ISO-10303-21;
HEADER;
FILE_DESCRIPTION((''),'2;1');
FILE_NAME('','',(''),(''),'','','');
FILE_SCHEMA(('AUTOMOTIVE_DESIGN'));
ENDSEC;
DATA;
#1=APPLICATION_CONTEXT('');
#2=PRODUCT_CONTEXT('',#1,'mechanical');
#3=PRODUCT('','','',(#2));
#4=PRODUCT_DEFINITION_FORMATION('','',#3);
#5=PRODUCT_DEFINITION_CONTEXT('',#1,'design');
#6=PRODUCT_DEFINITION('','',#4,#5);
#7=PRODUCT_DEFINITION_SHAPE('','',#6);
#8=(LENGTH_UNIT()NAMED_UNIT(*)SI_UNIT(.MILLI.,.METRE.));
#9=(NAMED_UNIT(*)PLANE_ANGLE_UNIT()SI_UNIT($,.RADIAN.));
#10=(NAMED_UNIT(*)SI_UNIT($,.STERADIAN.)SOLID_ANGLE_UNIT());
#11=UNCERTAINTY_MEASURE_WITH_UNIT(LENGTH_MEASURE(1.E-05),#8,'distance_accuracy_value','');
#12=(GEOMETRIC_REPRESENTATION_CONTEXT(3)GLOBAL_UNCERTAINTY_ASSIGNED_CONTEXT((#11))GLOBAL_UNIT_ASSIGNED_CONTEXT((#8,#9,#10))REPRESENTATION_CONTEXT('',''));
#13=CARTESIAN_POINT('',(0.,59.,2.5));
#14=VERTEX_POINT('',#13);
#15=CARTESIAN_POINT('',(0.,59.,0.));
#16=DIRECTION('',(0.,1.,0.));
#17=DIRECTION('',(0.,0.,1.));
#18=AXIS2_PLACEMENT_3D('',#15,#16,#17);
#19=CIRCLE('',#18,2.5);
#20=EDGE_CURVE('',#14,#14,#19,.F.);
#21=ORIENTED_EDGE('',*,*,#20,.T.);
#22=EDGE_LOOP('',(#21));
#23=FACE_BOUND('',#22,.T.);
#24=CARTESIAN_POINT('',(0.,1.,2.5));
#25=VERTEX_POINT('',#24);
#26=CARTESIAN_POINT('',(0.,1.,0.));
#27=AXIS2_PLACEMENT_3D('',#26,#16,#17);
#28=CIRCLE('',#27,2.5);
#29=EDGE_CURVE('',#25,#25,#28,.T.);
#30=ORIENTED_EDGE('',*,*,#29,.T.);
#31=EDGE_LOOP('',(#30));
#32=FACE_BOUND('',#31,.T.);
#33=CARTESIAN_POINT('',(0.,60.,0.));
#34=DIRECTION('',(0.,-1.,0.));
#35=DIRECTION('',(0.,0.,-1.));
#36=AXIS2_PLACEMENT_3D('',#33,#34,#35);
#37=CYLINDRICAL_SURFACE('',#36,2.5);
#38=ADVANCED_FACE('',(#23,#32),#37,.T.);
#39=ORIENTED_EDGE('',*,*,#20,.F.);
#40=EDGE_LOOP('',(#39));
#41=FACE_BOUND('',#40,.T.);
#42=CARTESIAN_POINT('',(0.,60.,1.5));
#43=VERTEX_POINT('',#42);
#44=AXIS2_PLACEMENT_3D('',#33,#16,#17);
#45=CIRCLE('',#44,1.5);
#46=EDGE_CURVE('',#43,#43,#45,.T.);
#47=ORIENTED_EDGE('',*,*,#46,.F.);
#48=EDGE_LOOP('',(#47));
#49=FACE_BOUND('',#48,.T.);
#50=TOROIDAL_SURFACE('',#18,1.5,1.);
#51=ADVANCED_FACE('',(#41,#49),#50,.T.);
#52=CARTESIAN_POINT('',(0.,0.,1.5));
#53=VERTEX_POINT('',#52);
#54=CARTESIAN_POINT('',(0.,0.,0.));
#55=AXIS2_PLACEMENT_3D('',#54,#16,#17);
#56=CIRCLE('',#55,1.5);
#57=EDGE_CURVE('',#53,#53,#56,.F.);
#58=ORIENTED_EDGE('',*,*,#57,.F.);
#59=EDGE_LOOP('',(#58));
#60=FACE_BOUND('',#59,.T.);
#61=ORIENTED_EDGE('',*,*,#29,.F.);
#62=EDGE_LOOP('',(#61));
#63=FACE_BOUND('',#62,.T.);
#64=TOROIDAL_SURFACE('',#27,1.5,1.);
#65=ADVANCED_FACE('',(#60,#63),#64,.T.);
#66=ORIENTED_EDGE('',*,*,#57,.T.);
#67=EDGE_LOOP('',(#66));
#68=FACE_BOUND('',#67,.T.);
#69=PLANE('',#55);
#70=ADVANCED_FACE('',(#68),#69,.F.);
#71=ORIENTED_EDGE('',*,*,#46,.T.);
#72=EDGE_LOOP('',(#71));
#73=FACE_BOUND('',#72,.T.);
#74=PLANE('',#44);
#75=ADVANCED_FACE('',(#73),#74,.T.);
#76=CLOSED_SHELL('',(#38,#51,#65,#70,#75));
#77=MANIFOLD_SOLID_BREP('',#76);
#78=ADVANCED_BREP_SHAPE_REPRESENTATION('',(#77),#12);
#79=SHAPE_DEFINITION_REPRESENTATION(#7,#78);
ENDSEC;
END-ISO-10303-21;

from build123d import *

# Parameters (mm, degrees)
SKETCH_1_R      = 2.5
EXTRUDE_1_DEPTH = 60
FILLET_1_R      = 1


with BuildPart() as part:
    # 草图1 → 凸台-拉伸1 (new body)
    with BuildSketch(Plane(origin=(0, 0, 0), x_dir=(1, 0, 0), z_dir=(0, 1, 0))):
        with Locations(Location((0, 0, 0), (0, 0, 270))):
            Circle(SKETCH_1_R)
    extrude(amount=EXTRUDE_1_DEPTH)

    # 圆角1
    fillet_1_edges = [part.edges().sort_by_distance(p)[0] for p in [
        (0, 0, -2.5),
        (0, 60, -2.5),
    ]]
    fillet(fillet_1_edges, radius=FILLET_1_R)


solid = part.part
